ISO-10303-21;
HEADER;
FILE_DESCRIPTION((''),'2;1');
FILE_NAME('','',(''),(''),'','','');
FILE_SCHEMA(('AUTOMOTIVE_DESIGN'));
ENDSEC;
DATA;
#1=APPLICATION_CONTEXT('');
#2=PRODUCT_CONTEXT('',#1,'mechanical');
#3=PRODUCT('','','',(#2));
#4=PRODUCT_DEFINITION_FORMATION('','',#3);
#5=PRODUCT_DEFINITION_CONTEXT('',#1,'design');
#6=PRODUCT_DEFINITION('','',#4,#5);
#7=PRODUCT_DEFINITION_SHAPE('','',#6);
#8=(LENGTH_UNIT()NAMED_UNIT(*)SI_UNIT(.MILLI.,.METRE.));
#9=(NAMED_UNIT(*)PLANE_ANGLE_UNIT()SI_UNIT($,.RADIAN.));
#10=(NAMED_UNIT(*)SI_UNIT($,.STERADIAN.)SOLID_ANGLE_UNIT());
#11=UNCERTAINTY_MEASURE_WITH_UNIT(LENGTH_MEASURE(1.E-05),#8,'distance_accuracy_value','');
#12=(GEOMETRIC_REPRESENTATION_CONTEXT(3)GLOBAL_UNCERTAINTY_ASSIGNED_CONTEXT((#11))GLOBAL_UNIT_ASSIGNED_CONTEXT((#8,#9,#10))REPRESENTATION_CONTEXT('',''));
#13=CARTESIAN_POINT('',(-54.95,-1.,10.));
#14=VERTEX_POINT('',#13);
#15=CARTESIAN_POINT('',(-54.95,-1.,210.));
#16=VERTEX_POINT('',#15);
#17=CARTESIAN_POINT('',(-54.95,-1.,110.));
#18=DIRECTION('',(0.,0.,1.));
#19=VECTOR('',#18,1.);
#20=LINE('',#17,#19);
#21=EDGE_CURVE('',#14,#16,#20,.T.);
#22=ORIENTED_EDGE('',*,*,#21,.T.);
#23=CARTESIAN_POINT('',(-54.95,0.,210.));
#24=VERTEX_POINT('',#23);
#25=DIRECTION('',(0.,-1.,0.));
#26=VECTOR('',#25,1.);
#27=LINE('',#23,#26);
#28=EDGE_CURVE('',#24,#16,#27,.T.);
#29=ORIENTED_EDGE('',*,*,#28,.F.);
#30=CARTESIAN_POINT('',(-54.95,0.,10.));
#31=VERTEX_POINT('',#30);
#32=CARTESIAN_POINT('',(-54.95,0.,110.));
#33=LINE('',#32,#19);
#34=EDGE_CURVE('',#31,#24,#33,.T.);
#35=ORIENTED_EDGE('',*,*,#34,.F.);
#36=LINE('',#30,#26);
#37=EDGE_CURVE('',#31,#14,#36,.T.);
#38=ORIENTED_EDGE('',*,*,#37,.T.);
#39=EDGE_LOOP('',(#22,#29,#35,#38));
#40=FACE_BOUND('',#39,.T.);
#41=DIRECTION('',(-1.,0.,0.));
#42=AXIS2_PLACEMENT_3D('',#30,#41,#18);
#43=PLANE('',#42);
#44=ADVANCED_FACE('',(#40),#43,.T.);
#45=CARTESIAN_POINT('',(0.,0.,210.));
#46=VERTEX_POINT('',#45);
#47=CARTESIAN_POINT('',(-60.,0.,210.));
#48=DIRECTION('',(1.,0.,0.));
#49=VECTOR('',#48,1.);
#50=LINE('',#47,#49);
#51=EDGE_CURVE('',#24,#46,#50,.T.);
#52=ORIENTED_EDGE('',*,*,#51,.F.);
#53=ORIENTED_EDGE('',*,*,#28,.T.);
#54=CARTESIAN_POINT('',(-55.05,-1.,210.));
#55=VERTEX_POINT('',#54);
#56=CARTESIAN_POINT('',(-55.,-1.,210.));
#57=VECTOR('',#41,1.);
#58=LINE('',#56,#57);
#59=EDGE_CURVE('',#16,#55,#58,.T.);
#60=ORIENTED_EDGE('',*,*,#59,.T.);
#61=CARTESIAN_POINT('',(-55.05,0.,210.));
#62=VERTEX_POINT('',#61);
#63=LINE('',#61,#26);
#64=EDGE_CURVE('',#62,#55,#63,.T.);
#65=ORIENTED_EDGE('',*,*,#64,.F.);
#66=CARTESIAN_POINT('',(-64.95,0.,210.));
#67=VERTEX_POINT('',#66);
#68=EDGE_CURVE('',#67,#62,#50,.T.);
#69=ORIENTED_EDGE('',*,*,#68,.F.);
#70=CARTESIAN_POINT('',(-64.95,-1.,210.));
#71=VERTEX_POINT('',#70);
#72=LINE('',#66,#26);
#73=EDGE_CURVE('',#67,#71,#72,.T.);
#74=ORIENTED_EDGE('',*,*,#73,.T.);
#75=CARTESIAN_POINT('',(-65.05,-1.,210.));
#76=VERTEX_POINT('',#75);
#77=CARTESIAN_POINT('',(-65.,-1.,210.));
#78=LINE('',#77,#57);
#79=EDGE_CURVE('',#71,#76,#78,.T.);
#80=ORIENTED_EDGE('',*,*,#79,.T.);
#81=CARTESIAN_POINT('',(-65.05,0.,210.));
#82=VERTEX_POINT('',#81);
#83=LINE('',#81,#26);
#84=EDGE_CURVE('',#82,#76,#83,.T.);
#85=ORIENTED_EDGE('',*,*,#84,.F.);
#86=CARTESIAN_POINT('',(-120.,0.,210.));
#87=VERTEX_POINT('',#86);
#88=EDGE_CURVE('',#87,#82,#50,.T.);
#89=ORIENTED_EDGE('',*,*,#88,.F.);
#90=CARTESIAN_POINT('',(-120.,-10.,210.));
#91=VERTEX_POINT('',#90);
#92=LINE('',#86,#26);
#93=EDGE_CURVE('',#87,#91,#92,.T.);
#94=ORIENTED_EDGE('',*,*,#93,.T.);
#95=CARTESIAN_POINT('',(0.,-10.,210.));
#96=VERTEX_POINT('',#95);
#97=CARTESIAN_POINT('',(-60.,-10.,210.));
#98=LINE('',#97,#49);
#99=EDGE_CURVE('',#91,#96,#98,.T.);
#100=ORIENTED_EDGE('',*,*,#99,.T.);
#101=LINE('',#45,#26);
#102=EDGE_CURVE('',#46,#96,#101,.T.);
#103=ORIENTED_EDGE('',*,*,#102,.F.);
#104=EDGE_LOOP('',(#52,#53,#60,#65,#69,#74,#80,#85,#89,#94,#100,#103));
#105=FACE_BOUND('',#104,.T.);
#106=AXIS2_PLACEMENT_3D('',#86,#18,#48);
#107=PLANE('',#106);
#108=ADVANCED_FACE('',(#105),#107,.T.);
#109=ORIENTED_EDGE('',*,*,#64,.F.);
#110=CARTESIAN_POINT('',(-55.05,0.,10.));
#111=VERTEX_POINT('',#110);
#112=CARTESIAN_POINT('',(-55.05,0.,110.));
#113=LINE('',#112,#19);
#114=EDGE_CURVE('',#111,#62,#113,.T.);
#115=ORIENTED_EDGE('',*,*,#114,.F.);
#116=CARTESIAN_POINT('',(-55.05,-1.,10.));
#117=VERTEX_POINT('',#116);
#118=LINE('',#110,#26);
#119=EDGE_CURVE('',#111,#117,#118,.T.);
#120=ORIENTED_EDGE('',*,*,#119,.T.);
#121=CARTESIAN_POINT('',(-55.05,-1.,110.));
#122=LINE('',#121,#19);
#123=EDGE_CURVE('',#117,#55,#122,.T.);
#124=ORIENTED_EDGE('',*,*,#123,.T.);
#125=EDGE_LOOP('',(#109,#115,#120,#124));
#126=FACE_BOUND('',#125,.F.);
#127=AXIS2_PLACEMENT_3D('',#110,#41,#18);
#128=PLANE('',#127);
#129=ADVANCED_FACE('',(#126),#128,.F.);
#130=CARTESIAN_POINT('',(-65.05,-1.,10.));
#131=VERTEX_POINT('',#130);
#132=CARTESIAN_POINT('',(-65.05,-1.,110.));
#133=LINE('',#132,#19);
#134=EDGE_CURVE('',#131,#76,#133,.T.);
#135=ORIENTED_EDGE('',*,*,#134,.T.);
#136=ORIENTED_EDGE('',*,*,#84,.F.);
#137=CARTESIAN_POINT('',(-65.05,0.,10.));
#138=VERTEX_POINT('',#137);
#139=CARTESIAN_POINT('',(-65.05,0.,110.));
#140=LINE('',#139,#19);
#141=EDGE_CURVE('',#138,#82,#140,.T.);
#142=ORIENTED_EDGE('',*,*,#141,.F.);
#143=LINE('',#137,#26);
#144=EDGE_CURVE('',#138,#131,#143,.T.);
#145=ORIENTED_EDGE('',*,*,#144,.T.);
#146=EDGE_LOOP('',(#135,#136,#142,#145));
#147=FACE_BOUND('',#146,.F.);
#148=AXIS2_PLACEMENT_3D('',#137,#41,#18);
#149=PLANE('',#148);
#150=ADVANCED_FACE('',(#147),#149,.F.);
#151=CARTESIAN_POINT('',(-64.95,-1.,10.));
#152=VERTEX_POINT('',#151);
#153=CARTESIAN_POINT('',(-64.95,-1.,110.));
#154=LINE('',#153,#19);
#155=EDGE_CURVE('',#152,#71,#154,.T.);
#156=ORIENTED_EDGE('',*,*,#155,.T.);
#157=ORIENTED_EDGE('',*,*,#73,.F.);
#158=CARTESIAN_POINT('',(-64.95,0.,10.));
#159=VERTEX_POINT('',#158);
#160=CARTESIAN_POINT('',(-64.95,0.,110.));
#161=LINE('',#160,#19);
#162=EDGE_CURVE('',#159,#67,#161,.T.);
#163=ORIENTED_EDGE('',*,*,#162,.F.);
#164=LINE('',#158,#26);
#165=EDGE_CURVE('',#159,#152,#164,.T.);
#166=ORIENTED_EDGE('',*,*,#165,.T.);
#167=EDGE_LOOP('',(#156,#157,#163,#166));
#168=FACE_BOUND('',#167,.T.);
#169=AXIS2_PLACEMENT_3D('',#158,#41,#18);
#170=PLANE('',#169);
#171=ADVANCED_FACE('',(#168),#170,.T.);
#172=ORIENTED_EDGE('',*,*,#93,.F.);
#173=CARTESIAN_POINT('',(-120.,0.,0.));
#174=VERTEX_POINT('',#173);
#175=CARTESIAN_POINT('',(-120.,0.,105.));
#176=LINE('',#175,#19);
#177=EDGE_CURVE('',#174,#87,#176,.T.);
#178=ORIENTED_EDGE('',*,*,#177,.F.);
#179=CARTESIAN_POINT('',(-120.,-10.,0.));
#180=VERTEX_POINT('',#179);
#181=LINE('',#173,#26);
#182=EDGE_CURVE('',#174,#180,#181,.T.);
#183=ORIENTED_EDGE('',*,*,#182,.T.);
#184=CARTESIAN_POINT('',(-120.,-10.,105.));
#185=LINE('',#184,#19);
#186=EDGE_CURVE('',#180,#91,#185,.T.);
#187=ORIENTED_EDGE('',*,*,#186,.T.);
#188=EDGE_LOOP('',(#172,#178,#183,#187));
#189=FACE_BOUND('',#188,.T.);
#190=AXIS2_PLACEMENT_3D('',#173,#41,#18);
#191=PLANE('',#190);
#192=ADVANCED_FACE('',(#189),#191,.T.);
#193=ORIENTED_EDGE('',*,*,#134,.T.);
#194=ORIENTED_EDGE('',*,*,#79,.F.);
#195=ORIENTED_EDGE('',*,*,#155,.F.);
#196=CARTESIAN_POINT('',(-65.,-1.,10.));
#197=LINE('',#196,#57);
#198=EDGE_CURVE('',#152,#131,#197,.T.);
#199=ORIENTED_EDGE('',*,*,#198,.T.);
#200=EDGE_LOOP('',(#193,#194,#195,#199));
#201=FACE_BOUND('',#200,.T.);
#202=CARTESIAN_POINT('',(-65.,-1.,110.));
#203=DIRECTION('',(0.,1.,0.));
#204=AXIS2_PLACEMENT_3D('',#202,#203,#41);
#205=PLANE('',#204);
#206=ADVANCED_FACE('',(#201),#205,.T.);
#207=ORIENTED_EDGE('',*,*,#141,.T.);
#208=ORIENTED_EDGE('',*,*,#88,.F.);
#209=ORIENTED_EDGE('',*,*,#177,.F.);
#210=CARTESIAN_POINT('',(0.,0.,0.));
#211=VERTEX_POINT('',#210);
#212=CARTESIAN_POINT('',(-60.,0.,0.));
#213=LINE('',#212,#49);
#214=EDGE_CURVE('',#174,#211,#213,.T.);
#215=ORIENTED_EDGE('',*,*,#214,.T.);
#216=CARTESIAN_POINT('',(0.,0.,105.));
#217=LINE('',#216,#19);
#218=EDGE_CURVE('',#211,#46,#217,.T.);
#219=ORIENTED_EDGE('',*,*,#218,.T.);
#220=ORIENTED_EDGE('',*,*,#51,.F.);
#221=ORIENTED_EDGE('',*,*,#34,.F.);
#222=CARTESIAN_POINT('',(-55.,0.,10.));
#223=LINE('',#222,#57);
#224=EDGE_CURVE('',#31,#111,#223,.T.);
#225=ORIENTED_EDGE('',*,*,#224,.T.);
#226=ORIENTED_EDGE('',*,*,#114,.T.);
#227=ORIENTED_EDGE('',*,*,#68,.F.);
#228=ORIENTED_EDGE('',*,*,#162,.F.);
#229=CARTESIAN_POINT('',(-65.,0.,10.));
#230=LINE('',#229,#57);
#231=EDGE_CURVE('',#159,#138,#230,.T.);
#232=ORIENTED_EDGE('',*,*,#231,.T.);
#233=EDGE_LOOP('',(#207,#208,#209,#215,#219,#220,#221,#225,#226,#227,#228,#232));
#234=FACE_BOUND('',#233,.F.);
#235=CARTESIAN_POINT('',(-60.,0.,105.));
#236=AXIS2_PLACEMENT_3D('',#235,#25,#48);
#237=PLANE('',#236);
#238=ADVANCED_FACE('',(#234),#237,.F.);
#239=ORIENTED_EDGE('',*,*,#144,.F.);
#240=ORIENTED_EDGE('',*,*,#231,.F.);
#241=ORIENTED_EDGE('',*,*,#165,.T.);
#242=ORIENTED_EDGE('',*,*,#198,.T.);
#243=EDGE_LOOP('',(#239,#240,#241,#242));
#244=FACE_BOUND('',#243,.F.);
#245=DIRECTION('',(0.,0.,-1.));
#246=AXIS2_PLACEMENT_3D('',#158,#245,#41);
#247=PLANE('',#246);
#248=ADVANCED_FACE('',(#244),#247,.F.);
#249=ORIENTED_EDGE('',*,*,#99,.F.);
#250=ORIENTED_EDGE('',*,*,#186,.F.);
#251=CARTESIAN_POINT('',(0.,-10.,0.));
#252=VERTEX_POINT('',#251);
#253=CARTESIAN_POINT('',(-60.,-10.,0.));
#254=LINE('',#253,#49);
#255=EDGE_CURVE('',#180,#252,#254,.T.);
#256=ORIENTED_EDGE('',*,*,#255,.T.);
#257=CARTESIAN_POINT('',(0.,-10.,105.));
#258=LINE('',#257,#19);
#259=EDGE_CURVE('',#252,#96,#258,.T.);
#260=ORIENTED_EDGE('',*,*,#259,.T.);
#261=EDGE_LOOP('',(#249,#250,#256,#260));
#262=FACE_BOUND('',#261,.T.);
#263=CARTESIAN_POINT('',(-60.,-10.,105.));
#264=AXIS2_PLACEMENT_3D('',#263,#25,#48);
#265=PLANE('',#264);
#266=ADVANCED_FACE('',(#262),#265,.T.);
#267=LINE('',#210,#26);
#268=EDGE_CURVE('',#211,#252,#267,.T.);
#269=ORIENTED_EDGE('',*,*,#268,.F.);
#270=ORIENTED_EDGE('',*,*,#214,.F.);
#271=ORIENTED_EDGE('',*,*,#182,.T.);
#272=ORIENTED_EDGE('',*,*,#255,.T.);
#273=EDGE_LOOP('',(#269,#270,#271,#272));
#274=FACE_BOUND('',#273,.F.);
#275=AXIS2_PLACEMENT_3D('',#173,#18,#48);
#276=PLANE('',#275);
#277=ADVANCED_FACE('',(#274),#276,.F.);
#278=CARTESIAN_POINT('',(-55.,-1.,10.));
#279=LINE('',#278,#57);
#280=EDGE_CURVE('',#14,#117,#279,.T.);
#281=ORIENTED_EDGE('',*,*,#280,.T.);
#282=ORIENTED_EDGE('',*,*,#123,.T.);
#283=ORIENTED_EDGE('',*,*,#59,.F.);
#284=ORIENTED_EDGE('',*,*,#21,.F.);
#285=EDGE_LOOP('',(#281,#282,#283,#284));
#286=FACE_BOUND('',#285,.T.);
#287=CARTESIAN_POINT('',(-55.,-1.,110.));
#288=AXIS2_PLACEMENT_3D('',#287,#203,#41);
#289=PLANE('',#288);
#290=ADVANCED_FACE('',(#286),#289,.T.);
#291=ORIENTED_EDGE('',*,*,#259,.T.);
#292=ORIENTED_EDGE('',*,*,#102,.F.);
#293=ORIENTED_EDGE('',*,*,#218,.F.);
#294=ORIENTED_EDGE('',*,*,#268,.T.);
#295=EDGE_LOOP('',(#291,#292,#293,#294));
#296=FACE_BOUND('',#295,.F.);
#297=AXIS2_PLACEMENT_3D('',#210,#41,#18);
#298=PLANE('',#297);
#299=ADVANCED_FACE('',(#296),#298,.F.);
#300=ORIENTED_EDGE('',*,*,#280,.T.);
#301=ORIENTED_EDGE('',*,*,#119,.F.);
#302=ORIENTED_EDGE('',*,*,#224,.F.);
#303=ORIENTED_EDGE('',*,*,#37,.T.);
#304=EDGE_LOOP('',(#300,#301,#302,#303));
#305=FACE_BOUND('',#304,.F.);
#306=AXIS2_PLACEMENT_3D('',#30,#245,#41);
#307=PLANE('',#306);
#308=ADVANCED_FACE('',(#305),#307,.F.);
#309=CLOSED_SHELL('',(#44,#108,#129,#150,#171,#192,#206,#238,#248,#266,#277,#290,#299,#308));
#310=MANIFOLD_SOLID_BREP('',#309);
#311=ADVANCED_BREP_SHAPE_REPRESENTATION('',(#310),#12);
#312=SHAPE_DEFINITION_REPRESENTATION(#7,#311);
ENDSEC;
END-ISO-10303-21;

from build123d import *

# Parameters (mm, degrees)
F0_W     = 120
F0_H     = 210
F1_DEPTH = 10
F2_W     = 0.1
F2_H     = 200
F3_DEPTH = 1


with BuildPart() as f1:
    # F0 (on Front) → F1 (new body)
    with BuildSketch(Plane.XZ):
        with Locations((-60, 105)):
            Rectangle(F0_W, F0_H)
    extrude(amount=F1_DEPTH)

    # F2 (on face) → F3 (cut)
    with BuildSketch(Plane(origin=(0, 0, 0), x_dir=(-1, 0, 0), z_dir=(0, 1, 0))):
        with Locations((55, 110)):
            Rectangle(F2_W, F2_H)
        with Locations((65, 110)):
            Rectangle(F2_W, F2_H)
    extrude(amount=-F3_DEPTH, mode=Mode.SUBTRACT)


solid = f1.part
